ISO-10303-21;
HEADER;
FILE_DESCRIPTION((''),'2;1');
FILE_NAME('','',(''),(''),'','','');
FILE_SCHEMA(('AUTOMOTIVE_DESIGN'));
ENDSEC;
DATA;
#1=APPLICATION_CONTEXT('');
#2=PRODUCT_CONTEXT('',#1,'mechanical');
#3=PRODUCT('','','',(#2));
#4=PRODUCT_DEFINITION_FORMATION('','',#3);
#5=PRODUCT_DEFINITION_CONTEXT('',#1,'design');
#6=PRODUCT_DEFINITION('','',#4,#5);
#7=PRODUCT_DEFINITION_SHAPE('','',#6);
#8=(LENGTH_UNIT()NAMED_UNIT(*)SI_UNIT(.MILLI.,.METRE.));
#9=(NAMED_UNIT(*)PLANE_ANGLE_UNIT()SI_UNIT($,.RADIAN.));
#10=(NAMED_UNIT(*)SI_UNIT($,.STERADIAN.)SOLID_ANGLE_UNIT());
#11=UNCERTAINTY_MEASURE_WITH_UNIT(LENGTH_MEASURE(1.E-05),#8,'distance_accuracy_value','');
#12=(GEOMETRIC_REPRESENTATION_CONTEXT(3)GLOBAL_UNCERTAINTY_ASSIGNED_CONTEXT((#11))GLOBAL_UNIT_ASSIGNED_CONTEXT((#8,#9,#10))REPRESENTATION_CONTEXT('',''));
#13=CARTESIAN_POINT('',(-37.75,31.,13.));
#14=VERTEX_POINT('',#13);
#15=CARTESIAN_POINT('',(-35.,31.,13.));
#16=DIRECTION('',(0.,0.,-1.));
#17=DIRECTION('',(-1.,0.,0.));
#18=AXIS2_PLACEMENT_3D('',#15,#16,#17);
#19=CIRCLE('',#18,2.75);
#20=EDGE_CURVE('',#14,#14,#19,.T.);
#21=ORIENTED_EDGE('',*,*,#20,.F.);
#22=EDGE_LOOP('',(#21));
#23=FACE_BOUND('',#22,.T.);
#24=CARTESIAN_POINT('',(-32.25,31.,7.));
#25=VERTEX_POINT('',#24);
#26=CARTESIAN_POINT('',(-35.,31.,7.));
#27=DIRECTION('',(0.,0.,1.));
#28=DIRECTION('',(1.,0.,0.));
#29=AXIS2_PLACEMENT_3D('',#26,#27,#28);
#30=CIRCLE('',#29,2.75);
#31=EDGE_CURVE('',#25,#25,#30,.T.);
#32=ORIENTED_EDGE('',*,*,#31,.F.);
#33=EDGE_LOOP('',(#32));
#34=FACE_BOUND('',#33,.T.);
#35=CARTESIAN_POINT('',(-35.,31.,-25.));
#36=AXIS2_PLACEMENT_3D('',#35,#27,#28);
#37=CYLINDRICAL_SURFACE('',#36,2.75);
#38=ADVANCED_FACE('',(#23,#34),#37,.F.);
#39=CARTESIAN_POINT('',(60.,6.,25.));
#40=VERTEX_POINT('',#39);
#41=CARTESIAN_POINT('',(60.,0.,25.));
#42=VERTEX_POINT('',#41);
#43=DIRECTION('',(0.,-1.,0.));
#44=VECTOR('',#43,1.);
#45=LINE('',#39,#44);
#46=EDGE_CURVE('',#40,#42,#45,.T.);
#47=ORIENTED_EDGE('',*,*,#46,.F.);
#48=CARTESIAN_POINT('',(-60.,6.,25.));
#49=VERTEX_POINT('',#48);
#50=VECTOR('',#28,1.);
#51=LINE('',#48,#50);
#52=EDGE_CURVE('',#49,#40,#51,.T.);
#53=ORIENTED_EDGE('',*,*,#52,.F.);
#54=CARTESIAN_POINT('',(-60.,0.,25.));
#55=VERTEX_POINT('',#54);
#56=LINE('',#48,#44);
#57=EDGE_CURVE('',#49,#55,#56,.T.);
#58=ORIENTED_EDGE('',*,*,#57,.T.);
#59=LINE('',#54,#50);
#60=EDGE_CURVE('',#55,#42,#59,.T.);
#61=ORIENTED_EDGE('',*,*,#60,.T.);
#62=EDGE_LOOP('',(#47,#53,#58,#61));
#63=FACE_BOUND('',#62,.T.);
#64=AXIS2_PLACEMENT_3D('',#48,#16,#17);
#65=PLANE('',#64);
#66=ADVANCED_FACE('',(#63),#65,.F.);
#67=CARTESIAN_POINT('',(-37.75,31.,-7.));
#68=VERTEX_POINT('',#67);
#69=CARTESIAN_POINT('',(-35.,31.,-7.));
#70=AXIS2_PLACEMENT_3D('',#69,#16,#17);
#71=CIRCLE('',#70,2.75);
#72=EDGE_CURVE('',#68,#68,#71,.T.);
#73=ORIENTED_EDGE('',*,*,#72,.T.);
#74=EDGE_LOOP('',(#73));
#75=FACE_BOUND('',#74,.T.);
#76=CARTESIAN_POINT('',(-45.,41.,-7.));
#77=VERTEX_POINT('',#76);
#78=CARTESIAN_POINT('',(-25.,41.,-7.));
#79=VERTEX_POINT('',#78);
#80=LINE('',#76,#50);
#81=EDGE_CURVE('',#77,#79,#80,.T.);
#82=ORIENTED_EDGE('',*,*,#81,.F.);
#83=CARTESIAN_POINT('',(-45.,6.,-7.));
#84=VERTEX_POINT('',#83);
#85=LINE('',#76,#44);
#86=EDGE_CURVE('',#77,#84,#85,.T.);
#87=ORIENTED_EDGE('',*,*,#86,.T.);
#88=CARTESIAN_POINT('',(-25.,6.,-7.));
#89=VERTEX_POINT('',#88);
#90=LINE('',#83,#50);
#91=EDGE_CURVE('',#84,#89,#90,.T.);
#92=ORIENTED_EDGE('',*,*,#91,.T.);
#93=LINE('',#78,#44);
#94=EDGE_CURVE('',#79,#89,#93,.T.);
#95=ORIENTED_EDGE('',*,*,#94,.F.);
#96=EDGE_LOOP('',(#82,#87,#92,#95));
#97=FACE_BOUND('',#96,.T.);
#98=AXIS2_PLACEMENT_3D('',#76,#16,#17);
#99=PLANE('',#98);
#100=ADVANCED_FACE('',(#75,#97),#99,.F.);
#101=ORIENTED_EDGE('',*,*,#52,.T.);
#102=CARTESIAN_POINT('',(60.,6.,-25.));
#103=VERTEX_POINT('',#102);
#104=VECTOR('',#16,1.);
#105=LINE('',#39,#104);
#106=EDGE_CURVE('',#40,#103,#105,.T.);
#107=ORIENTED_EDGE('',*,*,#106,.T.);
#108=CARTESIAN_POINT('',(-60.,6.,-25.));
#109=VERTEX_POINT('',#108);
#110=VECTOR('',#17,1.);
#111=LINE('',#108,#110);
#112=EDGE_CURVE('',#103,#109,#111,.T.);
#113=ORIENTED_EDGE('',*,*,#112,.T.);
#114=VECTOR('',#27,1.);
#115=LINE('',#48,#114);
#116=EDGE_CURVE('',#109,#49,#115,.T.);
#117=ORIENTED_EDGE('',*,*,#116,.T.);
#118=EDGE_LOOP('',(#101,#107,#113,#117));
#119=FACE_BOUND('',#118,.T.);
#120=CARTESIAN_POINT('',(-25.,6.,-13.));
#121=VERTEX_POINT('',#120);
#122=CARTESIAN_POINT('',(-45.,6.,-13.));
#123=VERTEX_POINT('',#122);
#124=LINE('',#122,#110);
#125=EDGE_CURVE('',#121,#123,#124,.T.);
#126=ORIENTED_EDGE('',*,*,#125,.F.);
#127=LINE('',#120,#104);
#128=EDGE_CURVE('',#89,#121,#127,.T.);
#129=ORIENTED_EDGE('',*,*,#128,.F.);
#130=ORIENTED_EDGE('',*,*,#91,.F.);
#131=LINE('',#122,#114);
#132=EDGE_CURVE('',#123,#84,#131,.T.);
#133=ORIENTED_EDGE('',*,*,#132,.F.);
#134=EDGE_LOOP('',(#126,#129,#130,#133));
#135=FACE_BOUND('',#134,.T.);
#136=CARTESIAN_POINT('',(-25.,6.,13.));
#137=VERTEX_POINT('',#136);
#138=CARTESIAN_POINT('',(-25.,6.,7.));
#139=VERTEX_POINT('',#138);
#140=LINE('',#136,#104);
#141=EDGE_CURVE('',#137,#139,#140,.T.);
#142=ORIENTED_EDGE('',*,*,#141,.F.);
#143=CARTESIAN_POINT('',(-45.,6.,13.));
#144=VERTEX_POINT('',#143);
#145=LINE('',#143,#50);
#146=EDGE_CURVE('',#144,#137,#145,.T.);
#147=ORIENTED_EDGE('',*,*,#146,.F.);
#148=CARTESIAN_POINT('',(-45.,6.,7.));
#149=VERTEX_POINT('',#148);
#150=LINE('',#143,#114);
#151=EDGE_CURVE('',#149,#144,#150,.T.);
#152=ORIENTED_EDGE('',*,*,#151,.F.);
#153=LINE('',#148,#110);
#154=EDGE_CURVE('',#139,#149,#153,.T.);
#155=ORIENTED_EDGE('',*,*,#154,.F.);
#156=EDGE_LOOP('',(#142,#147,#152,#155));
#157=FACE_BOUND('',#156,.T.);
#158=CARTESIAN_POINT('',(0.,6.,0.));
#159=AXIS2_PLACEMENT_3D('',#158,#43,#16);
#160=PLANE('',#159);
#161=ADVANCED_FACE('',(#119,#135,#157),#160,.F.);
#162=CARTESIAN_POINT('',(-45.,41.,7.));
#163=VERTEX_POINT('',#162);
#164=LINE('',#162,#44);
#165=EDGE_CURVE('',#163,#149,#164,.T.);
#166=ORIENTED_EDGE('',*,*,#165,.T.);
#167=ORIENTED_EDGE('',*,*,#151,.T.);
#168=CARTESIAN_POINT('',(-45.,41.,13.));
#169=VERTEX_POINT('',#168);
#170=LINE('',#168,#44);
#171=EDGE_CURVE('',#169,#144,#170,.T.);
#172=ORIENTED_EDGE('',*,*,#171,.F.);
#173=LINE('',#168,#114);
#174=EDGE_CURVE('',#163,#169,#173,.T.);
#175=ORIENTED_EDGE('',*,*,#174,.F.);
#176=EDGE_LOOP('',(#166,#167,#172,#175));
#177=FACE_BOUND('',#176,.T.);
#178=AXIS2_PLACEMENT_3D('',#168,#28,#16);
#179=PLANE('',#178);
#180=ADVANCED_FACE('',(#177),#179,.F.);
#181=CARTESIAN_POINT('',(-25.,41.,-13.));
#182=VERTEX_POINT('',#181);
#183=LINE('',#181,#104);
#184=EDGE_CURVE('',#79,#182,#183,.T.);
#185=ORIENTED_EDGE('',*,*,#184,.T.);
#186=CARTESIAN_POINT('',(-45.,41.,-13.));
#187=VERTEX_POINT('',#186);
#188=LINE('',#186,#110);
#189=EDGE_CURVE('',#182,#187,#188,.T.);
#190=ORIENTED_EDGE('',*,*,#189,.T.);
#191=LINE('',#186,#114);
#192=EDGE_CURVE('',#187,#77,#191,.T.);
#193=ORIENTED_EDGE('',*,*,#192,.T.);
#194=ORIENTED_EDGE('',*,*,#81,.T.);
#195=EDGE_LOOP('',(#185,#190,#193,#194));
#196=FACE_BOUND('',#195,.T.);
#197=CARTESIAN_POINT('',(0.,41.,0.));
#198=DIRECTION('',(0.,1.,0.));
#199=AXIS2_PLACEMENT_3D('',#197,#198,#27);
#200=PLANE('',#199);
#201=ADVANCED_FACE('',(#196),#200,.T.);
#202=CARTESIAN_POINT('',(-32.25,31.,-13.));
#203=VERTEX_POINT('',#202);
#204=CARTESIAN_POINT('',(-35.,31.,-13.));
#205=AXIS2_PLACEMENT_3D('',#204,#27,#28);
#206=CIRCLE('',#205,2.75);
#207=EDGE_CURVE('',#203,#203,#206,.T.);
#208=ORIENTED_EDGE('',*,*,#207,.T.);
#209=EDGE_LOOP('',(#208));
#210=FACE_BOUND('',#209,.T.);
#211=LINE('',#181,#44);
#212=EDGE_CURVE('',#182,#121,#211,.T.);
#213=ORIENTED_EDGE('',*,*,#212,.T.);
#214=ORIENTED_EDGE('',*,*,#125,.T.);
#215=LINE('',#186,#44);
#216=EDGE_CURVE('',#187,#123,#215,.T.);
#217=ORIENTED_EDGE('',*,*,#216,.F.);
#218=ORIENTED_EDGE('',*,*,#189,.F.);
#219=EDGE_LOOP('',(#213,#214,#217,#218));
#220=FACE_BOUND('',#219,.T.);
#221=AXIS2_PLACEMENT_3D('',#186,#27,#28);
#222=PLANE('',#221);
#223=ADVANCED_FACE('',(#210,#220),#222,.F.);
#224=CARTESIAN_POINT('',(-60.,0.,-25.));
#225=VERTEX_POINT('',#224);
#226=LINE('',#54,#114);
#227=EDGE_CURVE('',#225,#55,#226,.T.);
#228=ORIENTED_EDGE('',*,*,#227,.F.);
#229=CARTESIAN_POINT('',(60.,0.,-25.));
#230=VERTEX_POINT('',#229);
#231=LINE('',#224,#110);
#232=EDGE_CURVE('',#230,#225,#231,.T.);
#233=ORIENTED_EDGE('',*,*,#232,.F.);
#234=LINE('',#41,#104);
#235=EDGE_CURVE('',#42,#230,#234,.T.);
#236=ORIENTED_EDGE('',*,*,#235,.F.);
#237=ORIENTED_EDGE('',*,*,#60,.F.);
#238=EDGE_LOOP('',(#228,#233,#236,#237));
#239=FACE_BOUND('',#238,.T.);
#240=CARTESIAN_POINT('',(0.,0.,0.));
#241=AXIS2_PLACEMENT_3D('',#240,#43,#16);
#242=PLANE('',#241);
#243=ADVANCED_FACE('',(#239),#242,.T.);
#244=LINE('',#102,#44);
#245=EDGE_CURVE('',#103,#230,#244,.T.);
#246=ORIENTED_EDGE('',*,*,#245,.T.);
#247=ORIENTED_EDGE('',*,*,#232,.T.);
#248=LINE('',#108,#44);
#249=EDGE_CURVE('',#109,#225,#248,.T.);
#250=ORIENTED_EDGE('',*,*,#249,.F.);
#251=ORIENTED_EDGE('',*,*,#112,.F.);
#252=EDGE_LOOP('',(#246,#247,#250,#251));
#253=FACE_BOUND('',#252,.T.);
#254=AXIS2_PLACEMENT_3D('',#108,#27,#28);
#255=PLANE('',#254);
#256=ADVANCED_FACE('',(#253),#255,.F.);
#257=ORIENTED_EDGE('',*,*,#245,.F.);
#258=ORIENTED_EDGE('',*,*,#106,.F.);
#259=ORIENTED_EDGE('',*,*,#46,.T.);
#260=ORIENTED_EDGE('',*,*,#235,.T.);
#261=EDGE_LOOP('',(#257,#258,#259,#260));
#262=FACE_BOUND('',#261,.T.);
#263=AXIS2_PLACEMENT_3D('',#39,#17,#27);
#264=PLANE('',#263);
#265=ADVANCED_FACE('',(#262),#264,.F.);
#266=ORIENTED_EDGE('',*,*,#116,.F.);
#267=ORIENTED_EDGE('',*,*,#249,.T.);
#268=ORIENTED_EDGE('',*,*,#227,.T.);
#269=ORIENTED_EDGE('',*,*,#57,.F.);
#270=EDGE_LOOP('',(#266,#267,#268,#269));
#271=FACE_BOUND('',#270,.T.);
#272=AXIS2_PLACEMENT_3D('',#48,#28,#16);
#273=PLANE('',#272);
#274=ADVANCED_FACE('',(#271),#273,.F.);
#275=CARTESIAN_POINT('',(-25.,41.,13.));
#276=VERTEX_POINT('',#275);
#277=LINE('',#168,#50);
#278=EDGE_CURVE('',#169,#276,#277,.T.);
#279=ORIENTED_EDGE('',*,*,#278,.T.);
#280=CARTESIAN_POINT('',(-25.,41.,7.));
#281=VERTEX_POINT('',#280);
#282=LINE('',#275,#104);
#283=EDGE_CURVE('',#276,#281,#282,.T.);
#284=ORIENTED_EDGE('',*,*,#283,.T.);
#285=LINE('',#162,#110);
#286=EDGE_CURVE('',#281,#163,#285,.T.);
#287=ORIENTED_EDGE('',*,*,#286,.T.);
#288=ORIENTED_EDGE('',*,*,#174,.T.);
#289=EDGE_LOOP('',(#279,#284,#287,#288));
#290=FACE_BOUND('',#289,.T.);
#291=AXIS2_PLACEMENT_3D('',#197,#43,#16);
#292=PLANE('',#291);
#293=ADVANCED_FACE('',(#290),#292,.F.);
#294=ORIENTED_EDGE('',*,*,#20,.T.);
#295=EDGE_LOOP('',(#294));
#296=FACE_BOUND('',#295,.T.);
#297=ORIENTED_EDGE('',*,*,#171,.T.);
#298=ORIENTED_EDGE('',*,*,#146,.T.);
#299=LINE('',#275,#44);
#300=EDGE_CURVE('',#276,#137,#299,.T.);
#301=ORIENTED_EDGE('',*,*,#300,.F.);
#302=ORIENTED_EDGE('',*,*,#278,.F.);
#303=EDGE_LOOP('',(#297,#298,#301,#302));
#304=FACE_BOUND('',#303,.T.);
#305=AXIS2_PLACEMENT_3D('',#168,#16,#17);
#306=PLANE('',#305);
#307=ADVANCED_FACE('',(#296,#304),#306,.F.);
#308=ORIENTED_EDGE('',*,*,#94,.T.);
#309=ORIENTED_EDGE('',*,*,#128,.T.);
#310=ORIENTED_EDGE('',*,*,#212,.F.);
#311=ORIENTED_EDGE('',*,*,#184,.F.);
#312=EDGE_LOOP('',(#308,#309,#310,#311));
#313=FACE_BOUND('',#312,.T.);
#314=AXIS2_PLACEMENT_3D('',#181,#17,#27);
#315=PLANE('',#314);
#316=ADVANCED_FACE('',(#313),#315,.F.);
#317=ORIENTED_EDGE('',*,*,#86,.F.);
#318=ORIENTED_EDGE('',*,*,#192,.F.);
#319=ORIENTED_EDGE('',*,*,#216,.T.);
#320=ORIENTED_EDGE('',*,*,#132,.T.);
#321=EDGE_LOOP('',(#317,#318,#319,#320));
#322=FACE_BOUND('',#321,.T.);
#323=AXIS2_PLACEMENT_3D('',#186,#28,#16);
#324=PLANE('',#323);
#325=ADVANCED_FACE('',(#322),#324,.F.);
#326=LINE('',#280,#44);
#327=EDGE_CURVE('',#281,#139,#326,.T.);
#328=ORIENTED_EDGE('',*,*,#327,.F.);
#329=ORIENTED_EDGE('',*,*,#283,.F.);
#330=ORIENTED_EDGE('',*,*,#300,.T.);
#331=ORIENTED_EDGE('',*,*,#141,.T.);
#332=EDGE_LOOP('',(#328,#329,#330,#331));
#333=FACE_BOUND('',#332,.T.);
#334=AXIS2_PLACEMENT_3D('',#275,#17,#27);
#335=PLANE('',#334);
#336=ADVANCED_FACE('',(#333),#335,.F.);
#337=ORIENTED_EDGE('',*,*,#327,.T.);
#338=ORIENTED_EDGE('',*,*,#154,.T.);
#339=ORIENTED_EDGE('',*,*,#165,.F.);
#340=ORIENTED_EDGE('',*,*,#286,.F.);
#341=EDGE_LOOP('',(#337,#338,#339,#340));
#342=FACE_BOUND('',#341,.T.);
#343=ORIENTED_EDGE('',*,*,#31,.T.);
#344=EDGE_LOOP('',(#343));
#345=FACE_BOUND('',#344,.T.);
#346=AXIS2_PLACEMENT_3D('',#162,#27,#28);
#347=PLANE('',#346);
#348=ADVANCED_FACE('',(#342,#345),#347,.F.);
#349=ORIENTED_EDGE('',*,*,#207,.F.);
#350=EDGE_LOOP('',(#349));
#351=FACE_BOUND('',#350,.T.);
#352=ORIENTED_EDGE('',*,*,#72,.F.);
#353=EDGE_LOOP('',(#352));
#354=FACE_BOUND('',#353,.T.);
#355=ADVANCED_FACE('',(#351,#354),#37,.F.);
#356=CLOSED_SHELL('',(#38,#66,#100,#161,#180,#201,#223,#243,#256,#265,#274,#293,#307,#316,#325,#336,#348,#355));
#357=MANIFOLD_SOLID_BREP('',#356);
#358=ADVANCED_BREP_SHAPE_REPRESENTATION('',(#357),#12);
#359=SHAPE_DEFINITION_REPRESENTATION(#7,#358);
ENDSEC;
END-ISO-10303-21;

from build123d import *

# Parameters (mm, degrees)
SKETCH1_W               = 120
SKETCH1_H               = 50
BOSS_EXTRUDE1_DEPTH     = 6
SKETCH2_W               = 20
SKETCH2_H               = 6
BOSS_EXTRUDE2_DEPTH     = 35
SKETCH3_W               = 20
SKETCH3_H               = 6
BOSS_EXTRUDE3_DEPTH     = 35
CUT_EXTRUDE1_DEPTH      = 83.006097334
CUT_EXTRUDE1_DEPTH_BACK = 83.006097334
SKETCH4_R               = 2.75


with BuildPart() as part:
    # Sketch1 → Boss-Extrude1 (new body)
    with BuildSketch(Plane(origin=(0, 0, 0), x_dir=(1, 0, 0), z_dir=(0, 1, 0))):
        Rectangle(SKETCH1_W, SKETCH1_H)
    extrude(amount=BOSS_EXTRUDE1_DEPTH)

    # Sketch2 → Boss-Extrude2 (add)
    with BuildSketch(Plane(origin=(0, 6, 0), x_dir=(1, 0, 0), z_dir=(0, 1, 0))):
        with Locations((-35, -10)):
            Rectangle(SKETCH2_W, SKETCH2_H)
    extrude(amount=BOSS_EXTRUDE2_DEPTH)

    # Sketch3 → Boss-Extrude3 (add)
    with BuildSketch(Plane(origin=(0, 6, 0), x_dir=(1, 0, 0), z_dir=(0, 1, 0))):
        with Locations((-35, 10)):
            Rectangle(SKETCH3_W, SKETCH3_H)
    extrude(amount=BOSS_EXTRUDE3_DEPTH)

    # Sketch4 → Cut-Extrude1 (cut, two sides: drawn at the far end of the back side and taken through both)
    with BuildSketch(Plane.XY.offset(13).offset(-CUT_EXTRUDE1_DEPTH_BACK)):
        with Locations((-35, 31)):
            Circle(SKETCH4_R)
    extrude(amount=CUT_EXTRUDE1_DEPTH + CUT_EXTRUDE1_DEPTH_BACK, mode=Mode.SUBTRACT)


solid = part.part
